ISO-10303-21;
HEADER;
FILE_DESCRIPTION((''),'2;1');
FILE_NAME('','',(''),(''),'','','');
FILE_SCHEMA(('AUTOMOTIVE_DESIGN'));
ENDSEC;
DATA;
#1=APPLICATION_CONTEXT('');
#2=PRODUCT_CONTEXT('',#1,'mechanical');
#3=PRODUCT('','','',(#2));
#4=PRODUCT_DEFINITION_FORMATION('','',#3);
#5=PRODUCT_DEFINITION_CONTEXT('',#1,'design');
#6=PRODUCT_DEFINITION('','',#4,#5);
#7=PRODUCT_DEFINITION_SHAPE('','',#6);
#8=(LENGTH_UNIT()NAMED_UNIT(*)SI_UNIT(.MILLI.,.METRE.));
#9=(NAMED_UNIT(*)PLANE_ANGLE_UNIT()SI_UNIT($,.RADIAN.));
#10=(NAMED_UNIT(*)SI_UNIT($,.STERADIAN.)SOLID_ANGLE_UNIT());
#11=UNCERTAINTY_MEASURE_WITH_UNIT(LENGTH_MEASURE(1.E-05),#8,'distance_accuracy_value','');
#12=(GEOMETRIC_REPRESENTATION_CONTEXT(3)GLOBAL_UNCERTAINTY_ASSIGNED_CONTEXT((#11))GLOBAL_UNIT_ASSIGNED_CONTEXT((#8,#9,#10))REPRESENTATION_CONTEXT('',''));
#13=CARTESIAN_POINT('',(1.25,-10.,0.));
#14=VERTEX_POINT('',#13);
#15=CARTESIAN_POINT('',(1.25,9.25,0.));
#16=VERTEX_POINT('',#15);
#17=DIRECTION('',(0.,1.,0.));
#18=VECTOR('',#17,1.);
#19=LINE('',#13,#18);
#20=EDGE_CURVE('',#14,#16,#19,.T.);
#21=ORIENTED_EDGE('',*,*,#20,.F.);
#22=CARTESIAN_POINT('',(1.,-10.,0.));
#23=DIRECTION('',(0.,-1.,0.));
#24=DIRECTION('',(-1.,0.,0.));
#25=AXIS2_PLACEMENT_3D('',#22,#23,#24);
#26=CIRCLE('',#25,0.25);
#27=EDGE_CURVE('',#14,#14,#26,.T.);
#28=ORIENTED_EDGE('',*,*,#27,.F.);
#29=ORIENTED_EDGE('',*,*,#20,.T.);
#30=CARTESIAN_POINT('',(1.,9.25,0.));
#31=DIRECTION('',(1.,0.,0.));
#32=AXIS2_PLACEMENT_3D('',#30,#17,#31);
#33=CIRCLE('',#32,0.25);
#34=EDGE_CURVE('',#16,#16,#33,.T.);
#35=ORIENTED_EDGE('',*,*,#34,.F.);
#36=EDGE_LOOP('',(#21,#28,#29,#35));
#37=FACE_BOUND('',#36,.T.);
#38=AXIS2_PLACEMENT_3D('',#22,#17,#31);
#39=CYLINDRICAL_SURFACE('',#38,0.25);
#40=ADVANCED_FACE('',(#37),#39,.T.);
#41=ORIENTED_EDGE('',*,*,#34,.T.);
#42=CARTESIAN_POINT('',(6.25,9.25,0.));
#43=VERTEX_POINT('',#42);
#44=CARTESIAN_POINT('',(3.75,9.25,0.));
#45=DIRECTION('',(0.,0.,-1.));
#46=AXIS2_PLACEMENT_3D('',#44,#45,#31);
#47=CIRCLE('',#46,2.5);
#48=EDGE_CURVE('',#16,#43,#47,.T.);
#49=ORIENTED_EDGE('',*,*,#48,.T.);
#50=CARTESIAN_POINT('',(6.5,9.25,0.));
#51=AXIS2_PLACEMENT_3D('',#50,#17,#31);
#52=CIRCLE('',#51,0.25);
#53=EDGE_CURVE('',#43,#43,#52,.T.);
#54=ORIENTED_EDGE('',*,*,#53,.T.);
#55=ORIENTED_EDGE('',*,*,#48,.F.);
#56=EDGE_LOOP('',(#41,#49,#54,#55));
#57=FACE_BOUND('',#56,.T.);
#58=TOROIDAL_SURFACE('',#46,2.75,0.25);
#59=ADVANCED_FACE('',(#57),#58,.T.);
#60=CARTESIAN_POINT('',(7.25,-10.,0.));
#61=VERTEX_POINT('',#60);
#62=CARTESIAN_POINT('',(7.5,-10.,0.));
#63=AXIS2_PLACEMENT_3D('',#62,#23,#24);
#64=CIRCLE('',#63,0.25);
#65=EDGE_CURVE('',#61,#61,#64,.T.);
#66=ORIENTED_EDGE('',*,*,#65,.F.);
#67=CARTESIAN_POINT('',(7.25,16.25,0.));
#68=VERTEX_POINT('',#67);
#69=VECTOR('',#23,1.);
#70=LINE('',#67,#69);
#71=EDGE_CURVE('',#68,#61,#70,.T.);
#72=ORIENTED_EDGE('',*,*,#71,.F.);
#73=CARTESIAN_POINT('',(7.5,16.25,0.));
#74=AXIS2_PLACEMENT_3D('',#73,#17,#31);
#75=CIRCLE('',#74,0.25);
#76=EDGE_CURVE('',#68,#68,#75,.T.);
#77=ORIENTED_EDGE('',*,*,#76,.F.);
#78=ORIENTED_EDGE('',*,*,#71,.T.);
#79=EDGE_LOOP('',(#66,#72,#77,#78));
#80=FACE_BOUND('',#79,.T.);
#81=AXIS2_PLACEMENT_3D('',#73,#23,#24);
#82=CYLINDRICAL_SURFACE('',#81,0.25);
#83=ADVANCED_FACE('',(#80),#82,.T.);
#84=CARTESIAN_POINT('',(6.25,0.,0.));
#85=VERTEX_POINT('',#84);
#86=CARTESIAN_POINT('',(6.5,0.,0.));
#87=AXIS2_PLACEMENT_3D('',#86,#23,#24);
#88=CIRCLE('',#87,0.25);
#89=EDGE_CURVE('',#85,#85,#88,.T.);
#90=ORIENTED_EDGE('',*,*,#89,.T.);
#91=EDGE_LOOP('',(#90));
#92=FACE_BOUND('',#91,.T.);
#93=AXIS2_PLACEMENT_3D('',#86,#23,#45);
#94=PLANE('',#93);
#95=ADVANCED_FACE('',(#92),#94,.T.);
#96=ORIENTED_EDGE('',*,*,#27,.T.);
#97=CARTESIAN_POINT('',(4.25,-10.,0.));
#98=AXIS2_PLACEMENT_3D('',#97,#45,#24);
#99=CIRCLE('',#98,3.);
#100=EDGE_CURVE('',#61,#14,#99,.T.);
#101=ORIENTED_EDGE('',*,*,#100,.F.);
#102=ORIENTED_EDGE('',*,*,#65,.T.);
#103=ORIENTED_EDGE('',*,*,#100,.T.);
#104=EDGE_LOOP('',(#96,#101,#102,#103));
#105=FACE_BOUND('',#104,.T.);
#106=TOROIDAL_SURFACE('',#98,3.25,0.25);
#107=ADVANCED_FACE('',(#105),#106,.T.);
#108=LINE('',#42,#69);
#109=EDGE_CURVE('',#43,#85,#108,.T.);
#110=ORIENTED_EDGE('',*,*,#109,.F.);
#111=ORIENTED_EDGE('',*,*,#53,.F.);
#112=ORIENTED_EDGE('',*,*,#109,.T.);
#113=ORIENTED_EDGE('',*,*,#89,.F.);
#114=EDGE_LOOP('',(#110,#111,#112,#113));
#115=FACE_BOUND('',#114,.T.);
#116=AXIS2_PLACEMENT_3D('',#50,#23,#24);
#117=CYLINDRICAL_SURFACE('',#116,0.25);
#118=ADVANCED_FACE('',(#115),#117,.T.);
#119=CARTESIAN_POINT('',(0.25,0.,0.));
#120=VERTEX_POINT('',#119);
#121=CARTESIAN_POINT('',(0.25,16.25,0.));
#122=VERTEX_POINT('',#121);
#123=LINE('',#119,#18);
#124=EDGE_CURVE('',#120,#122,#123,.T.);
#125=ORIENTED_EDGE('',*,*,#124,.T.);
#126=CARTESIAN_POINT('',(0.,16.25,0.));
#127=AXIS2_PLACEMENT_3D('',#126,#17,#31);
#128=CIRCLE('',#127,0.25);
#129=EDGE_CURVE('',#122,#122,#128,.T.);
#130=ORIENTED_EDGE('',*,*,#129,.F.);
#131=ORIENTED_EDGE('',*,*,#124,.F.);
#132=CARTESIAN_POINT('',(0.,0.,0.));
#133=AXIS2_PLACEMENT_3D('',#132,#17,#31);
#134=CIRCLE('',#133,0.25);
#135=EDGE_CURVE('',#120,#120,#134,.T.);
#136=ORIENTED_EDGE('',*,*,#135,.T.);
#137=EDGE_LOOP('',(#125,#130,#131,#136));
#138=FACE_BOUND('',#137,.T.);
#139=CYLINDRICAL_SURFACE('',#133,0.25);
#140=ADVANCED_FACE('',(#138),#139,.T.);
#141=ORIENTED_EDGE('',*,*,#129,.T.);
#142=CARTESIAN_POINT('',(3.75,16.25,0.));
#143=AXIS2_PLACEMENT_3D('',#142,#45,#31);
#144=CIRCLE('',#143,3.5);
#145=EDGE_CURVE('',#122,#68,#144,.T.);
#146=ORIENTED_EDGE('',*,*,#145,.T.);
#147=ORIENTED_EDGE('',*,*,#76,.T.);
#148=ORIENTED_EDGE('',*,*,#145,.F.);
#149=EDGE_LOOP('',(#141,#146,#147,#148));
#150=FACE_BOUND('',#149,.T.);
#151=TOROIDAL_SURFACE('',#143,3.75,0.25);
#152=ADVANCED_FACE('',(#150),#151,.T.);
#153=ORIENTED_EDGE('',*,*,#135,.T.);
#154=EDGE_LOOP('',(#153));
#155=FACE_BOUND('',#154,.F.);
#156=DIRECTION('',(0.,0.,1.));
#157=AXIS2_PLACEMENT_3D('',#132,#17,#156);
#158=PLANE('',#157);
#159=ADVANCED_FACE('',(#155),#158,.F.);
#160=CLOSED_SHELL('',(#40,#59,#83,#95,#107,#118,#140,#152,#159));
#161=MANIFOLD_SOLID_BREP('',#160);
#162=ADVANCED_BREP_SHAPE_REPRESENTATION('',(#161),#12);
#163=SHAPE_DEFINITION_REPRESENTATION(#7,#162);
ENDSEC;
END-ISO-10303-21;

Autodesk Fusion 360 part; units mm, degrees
sketch "Sweep Path" plane through (0, 0, 0) normal (0, 0, 1) x (1, 0, 0)
  line L0 (0, 0) -> (0, 16.25)
  line L1 (0, 16.25) -> (7.5, 16.25) construction
  line L2 (7.5, 16.25) -> (7.5, -10)
  line L3 (7.5, -10) -> (1, -10) construction
  line L4 (1, -10) -> (1, 9.25)
  line L5 (1, 9.25) -> (6.5, 9.25) construction
  line L6 (6.5, 9.25) -> (6.5, 0)
  arc A0 (7.5, 16.25) -> (0, 16.25) centre (3.75, 16.25) ccw
  arc A1 (6.5, 9.25) -> (1, 9.25) centre (3.75, 9.25) ccw
  arc A2 (1, -10) -> (7.5, -10) centre (4.25, -10) ccw
  dimension "d1" = 16.25
  dimension "d2" = 7.5
  dimension "d3" = 26.25
  dimension "d4" = 6.5
  dimension "d5" = 19.25
  dimension "d6" = 5.5
sketch "Sweep Profile" plane through (0, 0, 0) normal (0, 1, 0) x (1, 0, 0)
  circle A0 centre (0, 0) radius 0.25
  dimension "d7" = 0.5
sweep "Sweep1" add profiles "Sweep Profile" path "Sweep Path" along L0 A0 L2 A2 L4 A1 L6 section 1
